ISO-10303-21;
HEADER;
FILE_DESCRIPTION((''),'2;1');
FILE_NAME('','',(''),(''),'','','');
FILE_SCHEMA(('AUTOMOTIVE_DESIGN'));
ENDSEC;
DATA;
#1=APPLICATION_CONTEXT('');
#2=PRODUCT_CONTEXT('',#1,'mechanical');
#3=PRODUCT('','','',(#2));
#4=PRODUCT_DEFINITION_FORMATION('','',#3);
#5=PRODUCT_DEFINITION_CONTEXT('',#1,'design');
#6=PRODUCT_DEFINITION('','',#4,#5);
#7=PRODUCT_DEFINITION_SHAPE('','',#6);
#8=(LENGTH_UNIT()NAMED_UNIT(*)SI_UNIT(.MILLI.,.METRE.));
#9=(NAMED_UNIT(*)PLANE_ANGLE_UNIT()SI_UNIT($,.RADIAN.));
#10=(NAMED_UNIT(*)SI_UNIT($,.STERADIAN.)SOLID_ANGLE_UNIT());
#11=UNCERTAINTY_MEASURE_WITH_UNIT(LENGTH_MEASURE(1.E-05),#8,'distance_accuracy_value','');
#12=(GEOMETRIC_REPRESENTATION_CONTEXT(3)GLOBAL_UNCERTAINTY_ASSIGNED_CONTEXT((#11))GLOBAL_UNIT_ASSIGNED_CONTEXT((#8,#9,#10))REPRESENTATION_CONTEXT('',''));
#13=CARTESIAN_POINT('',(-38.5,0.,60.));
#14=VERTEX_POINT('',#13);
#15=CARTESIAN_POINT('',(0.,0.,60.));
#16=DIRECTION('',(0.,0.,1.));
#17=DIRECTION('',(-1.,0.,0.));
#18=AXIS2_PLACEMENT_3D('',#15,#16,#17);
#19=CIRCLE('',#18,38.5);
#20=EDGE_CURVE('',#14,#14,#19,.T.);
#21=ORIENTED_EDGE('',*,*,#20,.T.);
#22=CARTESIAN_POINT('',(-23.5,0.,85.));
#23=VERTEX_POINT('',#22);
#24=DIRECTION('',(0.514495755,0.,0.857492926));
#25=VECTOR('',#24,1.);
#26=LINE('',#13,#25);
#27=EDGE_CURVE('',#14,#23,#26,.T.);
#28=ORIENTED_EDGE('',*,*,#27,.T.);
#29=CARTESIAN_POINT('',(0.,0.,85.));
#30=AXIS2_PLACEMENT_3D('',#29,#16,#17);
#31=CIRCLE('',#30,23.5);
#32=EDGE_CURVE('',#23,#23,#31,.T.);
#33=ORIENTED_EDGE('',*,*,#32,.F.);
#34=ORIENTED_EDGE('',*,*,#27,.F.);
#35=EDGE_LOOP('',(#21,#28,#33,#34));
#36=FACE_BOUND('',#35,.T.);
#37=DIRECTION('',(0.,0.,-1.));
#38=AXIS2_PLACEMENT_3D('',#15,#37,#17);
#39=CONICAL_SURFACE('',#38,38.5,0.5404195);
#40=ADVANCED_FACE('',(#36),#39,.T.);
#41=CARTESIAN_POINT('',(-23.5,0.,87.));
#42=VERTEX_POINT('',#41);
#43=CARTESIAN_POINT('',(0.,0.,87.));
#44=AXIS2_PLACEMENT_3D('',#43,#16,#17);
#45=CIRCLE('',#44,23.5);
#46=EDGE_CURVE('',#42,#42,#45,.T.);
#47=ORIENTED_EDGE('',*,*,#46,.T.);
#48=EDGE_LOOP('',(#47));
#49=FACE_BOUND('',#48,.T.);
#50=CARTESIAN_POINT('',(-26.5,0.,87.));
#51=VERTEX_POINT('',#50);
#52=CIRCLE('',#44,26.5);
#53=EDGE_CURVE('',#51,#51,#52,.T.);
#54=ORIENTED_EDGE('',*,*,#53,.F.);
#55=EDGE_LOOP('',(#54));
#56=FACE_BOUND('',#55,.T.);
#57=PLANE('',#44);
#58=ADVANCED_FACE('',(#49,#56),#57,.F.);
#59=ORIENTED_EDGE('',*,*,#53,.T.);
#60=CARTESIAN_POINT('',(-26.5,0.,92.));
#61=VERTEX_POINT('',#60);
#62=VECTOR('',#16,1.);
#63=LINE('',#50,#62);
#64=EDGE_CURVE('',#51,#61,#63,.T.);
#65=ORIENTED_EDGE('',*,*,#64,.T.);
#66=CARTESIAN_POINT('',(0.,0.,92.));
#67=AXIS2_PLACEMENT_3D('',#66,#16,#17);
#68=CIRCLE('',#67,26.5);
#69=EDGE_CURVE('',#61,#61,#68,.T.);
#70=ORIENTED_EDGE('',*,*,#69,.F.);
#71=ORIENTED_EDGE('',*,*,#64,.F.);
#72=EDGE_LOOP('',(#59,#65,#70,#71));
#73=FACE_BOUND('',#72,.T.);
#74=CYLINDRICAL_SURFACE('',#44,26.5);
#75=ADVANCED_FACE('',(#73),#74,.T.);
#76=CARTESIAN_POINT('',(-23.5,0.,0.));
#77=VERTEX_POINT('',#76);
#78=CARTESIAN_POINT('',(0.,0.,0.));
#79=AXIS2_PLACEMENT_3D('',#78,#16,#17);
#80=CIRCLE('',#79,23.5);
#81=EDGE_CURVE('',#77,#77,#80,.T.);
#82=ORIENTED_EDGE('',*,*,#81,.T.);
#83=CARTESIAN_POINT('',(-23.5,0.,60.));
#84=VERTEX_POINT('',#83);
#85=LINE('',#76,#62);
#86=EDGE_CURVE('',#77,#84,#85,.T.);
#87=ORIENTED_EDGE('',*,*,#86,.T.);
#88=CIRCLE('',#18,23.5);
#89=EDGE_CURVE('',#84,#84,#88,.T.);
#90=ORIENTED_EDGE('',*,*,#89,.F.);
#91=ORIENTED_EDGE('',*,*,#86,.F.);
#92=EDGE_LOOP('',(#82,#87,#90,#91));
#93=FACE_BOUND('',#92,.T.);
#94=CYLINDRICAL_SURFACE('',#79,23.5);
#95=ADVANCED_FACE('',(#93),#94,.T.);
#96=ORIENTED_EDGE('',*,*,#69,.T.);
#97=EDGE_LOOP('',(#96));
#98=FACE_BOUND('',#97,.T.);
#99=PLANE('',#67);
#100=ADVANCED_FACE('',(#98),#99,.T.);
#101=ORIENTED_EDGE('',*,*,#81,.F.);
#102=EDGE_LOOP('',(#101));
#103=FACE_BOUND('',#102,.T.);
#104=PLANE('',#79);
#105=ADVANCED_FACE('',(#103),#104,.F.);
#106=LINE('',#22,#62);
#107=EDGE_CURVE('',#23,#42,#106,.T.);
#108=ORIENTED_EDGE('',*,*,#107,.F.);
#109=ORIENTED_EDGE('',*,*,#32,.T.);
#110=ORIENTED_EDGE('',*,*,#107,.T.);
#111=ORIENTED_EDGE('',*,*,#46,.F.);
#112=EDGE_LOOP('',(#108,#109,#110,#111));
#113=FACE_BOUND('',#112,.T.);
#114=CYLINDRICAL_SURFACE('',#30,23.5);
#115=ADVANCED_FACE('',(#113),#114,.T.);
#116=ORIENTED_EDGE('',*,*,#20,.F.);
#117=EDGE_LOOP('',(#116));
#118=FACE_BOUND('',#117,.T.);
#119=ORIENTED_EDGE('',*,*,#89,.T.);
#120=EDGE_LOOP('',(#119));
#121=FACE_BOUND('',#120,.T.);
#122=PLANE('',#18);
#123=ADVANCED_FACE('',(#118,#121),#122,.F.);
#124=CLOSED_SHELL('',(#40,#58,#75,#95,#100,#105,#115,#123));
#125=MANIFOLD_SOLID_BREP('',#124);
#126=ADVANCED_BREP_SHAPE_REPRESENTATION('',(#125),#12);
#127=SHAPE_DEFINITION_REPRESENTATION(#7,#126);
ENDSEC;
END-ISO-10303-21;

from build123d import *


with BuildPart() as part:
    # Sketch → Revolution (revolve)
    with BuildSketch(Plane.XZ):
        Polygon((0, 0), (-23.5, 0), (-23.5, 60), (-38.5, 60), (-23.5, 85), (-23.5, 87), (-26.5, 87), (-26.5, 92), (0, 92), align=None)
    revolve(axis=Axis((0, 0, 0), (0, 0, 1)))


solid = part.part
